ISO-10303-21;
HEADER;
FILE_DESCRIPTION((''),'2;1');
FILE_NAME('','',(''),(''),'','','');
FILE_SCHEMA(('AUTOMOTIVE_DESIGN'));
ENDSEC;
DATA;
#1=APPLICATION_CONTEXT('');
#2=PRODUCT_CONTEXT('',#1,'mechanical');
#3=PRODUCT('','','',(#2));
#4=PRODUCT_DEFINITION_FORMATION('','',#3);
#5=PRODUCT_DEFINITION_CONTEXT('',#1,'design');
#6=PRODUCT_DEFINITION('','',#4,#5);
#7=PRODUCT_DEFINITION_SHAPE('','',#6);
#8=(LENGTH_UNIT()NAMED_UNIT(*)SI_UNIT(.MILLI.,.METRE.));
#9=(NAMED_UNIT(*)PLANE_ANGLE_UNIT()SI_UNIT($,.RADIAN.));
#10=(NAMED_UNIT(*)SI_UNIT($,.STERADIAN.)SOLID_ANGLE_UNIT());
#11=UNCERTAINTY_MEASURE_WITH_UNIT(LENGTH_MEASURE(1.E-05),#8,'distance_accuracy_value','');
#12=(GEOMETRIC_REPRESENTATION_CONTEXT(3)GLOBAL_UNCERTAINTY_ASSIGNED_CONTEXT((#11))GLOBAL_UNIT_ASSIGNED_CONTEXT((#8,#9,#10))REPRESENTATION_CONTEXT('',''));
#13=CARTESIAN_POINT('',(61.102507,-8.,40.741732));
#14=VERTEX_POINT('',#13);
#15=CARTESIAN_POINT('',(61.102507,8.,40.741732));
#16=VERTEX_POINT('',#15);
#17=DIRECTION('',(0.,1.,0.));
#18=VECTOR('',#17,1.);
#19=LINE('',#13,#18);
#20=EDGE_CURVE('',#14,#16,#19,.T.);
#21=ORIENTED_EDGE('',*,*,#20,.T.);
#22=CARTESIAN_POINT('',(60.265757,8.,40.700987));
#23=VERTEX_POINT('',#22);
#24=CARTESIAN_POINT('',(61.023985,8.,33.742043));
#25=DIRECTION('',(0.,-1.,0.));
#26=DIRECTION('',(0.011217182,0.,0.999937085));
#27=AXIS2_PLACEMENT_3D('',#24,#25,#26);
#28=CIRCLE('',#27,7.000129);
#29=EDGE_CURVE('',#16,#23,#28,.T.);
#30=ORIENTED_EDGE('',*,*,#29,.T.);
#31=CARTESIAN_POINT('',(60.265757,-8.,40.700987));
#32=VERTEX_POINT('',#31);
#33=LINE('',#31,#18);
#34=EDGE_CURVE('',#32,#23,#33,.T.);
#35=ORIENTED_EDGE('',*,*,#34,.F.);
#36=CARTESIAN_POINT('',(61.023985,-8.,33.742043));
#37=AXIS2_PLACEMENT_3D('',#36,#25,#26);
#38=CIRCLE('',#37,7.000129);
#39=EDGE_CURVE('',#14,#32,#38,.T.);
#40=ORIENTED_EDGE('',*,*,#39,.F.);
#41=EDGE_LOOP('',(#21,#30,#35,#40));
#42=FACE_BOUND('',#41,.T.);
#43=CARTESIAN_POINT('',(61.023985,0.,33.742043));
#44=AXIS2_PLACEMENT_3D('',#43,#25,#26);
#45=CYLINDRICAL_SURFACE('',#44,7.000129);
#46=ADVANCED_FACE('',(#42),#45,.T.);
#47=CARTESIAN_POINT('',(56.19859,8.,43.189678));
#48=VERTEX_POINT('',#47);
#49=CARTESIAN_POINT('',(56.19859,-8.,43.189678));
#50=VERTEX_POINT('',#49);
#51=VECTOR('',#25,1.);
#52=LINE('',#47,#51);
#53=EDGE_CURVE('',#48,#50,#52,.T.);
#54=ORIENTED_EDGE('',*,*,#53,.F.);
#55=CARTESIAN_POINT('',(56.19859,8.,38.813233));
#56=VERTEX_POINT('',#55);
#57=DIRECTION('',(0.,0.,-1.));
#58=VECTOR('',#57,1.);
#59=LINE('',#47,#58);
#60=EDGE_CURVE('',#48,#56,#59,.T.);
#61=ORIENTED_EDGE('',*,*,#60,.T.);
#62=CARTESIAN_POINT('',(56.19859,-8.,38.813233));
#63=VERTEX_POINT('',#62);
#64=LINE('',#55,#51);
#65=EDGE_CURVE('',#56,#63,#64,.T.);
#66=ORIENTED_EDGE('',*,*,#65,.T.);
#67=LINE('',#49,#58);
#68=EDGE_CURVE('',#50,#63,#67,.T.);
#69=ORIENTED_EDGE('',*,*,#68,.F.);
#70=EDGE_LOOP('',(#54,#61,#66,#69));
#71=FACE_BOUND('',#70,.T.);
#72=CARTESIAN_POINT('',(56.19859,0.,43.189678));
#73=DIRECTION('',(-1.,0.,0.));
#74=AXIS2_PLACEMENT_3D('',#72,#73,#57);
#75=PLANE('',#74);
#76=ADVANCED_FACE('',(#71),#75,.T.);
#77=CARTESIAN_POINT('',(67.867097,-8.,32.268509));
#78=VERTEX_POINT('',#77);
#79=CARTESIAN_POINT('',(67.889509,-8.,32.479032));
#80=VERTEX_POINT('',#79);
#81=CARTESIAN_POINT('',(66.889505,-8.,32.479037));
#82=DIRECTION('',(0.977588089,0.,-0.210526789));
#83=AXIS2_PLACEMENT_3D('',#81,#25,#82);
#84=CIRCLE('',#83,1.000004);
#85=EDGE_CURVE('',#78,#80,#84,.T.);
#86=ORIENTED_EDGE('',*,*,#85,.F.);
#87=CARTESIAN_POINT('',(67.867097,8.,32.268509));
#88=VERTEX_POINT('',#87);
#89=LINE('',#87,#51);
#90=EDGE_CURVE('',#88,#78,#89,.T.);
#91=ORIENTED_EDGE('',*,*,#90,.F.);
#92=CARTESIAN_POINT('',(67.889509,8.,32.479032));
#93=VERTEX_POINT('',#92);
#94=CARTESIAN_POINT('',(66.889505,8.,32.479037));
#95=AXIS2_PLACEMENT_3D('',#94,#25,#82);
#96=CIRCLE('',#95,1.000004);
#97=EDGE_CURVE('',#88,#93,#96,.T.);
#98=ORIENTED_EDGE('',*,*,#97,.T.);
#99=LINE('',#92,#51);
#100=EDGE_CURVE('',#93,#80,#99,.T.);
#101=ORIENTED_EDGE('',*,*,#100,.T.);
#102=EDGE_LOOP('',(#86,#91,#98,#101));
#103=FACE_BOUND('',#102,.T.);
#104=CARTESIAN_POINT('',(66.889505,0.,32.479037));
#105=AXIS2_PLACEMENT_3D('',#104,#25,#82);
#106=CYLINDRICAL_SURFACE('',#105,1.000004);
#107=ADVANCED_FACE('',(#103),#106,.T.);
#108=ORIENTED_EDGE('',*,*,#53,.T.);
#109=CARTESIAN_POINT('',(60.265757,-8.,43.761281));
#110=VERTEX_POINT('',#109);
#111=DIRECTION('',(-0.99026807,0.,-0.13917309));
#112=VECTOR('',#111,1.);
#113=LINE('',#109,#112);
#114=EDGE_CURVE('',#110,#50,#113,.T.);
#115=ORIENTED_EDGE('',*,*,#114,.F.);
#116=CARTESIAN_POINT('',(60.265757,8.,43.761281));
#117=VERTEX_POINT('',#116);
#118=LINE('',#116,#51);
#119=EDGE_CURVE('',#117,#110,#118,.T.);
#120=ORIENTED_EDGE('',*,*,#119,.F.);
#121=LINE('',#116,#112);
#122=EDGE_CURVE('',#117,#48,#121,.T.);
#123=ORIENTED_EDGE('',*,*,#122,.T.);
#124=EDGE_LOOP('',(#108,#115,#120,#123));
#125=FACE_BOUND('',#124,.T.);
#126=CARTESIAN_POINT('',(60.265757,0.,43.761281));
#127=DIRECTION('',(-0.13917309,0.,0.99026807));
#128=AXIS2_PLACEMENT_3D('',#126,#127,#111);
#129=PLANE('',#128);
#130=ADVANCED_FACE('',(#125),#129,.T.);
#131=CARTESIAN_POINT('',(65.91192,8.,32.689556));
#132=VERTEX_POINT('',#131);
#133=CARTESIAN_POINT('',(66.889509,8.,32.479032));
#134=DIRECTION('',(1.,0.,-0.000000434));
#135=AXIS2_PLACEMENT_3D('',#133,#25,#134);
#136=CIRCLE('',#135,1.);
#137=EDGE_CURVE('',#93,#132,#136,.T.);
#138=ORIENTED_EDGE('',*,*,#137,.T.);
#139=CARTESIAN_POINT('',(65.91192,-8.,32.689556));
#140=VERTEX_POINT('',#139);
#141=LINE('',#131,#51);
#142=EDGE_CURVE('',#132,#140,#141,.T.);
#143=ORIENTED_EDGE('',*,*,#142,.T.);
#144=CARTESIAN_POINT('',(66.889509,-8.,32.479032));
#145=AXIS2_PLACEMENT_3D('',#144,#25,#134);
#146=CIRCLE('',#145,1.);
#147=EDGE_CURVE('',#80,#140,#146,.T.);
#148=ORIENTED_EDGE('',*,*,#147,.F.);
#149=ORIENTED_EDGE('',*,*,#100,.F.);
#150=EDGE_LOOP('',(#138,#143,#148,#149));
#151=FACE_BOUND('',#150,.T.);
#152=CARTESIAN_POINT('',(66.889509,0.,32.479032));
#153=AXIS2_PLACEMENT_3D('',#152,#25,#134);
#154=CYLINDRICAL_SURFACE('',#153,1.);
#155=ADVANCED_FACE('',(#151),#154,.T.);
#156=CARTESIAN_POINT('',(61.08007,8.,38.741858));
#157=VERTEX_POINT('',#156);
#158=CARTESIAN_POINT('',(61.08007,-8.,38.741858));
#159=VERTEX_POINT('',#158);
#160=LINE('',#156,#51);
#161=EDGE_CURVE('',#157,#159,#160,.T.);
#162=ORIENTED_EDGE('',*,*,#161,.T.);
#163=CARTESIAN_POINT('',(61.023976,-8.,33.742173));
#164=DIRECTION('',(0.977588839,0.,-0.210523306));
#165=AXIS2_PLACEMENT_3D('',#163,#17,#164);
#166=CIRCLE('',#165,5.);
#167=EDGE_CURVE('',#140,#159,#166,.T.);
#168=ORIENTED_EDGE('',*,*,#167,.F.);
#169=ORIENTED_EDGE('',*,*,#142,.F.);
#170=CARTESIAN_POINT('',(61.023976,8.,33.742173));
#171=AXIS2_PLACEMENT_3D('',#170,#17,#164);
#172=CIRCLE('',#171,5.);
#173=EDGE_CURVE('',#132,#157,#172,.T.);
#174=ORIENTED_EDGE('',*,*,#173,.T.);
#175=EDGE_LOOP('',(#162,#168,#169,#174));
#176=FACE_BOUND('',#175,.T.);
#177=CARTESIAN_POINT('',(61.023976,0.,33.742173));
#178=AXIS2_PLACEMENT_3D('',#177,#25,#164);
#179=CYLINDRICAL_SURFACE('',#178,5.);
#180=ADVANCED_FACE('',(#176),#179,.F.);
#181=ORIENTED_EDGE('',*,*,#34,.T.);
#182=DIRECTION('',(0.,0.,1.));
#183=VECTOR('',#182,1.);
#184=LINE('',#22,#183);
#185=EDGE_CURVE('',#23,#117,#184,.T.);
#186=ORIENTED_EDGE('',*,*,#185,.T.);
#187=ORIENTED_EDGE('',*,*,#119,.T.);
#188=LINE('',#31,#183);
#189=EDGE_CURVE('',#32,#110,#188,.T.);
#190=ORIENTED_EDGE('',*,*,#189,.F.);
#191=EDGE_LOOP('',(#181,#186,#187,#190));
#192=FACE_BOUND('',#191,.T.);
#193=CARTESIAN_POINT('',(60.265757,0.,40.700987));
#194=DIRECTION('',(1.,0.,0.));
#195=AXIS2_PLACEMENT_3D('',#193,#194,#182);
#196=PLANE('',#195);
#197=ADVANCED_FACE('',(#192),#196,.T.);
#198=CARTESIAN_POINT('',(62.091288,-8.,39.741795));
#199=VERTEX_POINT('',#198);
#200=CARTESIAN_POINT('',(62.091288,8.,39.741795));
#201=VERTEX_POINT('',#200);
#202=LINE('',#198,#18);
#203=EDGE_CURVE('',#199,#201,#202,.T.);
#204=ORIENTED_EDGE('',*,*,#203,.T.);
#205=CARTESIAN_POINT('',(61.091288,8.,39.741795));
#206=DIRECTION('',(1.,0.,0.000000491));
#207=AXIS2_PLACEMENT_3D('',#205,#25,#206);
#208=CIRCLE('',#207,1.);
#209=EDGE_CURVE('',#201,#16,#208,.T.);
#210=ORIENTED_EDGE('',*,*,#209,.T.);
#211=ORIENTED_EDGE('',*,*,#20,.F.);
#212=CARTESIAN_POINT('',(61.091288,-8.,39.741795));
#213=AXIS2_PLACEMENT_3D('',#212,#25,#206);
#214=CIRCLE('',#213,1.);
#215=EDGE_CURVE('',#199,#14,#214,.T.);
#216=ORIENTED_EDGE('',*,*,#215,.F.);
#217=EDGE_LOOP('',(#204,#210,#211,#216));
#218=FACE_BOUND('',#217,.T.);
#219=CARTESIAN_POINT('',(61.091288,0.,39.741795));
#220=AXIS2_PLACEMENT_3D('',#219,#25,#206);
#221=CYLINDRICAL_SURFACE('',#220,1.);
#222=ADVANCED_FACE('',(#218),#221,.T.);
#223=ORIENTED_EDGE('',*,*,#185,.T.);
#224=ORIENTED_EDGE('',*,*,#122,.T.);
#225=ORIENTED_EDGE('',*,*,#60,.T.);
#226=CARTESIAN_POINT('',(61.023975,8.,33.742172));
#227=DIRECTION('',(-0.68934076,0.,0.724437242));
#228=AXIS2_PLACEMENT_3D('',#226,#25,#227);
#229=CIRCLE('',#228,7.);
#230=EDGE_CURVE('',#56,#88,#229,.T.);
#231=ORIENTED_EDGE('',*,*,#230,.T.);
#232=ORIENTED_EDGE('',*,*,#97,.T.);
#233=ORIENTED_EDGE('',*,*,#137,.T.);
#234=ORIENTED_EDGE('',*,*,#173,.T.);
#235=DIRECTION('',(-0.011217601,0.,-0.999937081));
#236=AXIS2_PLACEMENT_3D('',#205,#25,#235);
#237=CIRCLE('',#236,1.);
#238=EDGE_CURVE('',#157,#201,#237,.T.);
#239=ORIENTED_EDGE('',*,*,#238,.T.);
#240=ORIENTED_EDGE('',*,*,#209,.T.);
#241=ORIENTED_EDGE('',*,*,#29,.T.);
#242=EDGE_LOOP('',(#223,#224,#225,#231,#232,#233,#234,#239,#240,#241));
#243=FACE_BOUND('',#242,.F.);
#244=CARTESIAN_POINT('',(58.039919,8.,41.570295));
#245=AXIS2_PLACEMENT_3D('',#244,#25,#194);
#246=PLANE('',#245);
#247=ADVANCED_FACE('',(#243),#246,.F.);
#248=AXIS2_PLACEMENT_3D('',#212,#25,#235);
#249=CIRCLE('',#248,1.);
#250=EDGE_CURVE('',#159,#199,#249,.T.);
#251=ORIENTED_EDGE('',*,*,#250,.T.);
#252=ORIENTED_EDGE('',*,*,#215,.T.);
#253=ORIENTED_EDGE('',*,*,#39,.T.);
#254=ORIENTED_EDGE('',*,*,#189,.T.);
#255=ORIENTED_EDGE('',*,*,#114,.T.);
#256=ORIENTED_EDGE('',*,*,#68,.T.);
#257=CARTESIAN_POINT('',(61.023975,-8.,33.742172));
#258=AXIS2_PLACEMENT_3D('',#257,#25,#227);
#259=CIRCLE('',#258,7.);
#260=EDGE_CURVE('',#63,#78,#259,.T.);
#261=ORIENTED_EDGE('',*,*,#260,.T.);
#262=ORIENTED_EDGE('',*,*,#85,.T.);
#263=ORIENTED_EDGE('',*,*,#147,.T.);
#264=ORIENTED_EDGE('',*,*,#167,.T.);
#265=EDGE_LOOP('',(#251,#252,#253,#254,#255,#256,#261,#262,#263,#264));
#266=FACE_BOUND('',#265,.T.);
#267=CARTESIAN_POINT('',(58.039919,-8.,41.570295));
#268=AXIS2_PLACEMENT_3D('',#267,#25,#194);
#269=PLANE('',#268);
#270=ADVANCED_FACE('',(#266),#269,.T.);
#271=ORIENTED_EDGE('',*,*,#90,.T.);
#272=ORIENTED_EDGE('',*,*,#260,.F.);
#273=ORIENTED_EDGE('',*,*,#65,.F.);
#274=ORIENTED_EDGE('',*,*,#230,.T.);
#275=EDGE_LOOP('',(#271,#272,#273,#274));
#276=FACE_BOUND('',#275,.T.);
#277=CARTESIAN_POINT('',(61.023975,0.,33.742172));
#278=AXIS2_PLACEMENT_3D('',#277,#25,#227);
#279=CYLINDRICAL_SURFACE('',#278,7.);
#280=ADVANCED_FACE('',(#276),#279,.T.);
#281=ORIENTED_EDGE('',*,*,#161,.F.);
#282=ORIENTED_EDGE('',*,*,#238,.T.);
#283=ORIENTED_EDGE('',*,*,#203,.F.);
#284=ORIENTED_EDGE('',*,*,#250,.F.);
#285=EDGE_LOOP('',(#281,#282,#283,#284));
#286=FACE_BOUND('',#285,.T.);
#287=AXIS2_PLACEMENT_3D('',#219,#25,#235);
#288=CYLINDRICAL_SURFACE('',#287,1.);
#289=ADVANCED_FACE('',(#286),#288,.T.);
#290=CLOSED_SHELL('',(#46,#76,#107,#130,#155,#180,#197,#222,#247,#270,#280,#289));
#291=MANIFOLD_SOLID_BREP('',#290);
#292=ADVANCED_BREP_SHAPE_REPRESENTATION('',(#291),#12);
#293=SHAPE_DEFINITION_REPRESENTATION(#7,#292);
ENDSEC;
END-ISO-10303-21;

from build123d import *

# Parameters (mm, degrees)
F1_DEPTH      = 8
F1_DEPTH_BACK = 8


with BuildPart() as f1:
    # F0 (on Front) → F1 (new body, two sides)
    with BuildSketch(Plane.XZ) as f1_sk:
        with BuildLine():
            ThreePointArc((56.19859, 38.813233), (58.076932, 40.091577), (60.265757, 40.700987))
            Line((60.265757, 40.700987), (60.265757, 43.761281))
            Line((60.265757, 43.761281), (56.19859, 43.189678))
            Line((56.19859, 43.189678), (56.19859, 38.813233))
        make_face()
        with BuildLine():
            ThreePointArc((67.889509, 32.479032), (66.995365, 33.473414), (65.91192, 32.689556))
            ThreePointArc((65.91192, 32.689556), (66.678985, 31.501443), (67.867097, 32.268509))
            ThreePointArc((67.867097, 32.268509), (67.88389, 32.373176), (67.889509, 32.479032))
        make_face()
        with BuildLine():
            ThreePointArc((65.91192, 32.689556), (57.116487, 30.622632), (61.08007, 38.741858))
            ThreePointArc((61.08007, 38.741858), (60.091351, 39.753014), (61.102507, 40.741732))
            ThreePointArc((61.102507, 40.741732), (60.683522, 40.733888), (60.265757, 40.700987))
            ThreePointArc((60.265757, 40.700987), (58.076932, 40.091577), (56.19859, 38.813233))
            ThreePointArc((56.19859, 38.813233), (57.599627, 27.636942), (67.867097, 32.268509))
            ThreePointArc((67.867097, 32.268509), (66.678985, 31.501443), (65.91192, 32.689556))
        make_face()
        with BuildLine():
            ThreePointArc((61.102507, 40.741732), (60.091351, 39.753014), (61.08007, 38.741858))
            ThreePointArc((61.08007, 38.741858), (61.794417, 39.030733), (62.091288, 39.741795))
            ThreePointArc((62.091288, 39.741795), (61.80235, 40.444924), (61.102507, 40.741732))
        make_face()
    extrude(amount=F1_DEPTH)
    extrude(f1_sk.sketch, amount=-F1_DEPTH_BACK)


solid = f1.part
